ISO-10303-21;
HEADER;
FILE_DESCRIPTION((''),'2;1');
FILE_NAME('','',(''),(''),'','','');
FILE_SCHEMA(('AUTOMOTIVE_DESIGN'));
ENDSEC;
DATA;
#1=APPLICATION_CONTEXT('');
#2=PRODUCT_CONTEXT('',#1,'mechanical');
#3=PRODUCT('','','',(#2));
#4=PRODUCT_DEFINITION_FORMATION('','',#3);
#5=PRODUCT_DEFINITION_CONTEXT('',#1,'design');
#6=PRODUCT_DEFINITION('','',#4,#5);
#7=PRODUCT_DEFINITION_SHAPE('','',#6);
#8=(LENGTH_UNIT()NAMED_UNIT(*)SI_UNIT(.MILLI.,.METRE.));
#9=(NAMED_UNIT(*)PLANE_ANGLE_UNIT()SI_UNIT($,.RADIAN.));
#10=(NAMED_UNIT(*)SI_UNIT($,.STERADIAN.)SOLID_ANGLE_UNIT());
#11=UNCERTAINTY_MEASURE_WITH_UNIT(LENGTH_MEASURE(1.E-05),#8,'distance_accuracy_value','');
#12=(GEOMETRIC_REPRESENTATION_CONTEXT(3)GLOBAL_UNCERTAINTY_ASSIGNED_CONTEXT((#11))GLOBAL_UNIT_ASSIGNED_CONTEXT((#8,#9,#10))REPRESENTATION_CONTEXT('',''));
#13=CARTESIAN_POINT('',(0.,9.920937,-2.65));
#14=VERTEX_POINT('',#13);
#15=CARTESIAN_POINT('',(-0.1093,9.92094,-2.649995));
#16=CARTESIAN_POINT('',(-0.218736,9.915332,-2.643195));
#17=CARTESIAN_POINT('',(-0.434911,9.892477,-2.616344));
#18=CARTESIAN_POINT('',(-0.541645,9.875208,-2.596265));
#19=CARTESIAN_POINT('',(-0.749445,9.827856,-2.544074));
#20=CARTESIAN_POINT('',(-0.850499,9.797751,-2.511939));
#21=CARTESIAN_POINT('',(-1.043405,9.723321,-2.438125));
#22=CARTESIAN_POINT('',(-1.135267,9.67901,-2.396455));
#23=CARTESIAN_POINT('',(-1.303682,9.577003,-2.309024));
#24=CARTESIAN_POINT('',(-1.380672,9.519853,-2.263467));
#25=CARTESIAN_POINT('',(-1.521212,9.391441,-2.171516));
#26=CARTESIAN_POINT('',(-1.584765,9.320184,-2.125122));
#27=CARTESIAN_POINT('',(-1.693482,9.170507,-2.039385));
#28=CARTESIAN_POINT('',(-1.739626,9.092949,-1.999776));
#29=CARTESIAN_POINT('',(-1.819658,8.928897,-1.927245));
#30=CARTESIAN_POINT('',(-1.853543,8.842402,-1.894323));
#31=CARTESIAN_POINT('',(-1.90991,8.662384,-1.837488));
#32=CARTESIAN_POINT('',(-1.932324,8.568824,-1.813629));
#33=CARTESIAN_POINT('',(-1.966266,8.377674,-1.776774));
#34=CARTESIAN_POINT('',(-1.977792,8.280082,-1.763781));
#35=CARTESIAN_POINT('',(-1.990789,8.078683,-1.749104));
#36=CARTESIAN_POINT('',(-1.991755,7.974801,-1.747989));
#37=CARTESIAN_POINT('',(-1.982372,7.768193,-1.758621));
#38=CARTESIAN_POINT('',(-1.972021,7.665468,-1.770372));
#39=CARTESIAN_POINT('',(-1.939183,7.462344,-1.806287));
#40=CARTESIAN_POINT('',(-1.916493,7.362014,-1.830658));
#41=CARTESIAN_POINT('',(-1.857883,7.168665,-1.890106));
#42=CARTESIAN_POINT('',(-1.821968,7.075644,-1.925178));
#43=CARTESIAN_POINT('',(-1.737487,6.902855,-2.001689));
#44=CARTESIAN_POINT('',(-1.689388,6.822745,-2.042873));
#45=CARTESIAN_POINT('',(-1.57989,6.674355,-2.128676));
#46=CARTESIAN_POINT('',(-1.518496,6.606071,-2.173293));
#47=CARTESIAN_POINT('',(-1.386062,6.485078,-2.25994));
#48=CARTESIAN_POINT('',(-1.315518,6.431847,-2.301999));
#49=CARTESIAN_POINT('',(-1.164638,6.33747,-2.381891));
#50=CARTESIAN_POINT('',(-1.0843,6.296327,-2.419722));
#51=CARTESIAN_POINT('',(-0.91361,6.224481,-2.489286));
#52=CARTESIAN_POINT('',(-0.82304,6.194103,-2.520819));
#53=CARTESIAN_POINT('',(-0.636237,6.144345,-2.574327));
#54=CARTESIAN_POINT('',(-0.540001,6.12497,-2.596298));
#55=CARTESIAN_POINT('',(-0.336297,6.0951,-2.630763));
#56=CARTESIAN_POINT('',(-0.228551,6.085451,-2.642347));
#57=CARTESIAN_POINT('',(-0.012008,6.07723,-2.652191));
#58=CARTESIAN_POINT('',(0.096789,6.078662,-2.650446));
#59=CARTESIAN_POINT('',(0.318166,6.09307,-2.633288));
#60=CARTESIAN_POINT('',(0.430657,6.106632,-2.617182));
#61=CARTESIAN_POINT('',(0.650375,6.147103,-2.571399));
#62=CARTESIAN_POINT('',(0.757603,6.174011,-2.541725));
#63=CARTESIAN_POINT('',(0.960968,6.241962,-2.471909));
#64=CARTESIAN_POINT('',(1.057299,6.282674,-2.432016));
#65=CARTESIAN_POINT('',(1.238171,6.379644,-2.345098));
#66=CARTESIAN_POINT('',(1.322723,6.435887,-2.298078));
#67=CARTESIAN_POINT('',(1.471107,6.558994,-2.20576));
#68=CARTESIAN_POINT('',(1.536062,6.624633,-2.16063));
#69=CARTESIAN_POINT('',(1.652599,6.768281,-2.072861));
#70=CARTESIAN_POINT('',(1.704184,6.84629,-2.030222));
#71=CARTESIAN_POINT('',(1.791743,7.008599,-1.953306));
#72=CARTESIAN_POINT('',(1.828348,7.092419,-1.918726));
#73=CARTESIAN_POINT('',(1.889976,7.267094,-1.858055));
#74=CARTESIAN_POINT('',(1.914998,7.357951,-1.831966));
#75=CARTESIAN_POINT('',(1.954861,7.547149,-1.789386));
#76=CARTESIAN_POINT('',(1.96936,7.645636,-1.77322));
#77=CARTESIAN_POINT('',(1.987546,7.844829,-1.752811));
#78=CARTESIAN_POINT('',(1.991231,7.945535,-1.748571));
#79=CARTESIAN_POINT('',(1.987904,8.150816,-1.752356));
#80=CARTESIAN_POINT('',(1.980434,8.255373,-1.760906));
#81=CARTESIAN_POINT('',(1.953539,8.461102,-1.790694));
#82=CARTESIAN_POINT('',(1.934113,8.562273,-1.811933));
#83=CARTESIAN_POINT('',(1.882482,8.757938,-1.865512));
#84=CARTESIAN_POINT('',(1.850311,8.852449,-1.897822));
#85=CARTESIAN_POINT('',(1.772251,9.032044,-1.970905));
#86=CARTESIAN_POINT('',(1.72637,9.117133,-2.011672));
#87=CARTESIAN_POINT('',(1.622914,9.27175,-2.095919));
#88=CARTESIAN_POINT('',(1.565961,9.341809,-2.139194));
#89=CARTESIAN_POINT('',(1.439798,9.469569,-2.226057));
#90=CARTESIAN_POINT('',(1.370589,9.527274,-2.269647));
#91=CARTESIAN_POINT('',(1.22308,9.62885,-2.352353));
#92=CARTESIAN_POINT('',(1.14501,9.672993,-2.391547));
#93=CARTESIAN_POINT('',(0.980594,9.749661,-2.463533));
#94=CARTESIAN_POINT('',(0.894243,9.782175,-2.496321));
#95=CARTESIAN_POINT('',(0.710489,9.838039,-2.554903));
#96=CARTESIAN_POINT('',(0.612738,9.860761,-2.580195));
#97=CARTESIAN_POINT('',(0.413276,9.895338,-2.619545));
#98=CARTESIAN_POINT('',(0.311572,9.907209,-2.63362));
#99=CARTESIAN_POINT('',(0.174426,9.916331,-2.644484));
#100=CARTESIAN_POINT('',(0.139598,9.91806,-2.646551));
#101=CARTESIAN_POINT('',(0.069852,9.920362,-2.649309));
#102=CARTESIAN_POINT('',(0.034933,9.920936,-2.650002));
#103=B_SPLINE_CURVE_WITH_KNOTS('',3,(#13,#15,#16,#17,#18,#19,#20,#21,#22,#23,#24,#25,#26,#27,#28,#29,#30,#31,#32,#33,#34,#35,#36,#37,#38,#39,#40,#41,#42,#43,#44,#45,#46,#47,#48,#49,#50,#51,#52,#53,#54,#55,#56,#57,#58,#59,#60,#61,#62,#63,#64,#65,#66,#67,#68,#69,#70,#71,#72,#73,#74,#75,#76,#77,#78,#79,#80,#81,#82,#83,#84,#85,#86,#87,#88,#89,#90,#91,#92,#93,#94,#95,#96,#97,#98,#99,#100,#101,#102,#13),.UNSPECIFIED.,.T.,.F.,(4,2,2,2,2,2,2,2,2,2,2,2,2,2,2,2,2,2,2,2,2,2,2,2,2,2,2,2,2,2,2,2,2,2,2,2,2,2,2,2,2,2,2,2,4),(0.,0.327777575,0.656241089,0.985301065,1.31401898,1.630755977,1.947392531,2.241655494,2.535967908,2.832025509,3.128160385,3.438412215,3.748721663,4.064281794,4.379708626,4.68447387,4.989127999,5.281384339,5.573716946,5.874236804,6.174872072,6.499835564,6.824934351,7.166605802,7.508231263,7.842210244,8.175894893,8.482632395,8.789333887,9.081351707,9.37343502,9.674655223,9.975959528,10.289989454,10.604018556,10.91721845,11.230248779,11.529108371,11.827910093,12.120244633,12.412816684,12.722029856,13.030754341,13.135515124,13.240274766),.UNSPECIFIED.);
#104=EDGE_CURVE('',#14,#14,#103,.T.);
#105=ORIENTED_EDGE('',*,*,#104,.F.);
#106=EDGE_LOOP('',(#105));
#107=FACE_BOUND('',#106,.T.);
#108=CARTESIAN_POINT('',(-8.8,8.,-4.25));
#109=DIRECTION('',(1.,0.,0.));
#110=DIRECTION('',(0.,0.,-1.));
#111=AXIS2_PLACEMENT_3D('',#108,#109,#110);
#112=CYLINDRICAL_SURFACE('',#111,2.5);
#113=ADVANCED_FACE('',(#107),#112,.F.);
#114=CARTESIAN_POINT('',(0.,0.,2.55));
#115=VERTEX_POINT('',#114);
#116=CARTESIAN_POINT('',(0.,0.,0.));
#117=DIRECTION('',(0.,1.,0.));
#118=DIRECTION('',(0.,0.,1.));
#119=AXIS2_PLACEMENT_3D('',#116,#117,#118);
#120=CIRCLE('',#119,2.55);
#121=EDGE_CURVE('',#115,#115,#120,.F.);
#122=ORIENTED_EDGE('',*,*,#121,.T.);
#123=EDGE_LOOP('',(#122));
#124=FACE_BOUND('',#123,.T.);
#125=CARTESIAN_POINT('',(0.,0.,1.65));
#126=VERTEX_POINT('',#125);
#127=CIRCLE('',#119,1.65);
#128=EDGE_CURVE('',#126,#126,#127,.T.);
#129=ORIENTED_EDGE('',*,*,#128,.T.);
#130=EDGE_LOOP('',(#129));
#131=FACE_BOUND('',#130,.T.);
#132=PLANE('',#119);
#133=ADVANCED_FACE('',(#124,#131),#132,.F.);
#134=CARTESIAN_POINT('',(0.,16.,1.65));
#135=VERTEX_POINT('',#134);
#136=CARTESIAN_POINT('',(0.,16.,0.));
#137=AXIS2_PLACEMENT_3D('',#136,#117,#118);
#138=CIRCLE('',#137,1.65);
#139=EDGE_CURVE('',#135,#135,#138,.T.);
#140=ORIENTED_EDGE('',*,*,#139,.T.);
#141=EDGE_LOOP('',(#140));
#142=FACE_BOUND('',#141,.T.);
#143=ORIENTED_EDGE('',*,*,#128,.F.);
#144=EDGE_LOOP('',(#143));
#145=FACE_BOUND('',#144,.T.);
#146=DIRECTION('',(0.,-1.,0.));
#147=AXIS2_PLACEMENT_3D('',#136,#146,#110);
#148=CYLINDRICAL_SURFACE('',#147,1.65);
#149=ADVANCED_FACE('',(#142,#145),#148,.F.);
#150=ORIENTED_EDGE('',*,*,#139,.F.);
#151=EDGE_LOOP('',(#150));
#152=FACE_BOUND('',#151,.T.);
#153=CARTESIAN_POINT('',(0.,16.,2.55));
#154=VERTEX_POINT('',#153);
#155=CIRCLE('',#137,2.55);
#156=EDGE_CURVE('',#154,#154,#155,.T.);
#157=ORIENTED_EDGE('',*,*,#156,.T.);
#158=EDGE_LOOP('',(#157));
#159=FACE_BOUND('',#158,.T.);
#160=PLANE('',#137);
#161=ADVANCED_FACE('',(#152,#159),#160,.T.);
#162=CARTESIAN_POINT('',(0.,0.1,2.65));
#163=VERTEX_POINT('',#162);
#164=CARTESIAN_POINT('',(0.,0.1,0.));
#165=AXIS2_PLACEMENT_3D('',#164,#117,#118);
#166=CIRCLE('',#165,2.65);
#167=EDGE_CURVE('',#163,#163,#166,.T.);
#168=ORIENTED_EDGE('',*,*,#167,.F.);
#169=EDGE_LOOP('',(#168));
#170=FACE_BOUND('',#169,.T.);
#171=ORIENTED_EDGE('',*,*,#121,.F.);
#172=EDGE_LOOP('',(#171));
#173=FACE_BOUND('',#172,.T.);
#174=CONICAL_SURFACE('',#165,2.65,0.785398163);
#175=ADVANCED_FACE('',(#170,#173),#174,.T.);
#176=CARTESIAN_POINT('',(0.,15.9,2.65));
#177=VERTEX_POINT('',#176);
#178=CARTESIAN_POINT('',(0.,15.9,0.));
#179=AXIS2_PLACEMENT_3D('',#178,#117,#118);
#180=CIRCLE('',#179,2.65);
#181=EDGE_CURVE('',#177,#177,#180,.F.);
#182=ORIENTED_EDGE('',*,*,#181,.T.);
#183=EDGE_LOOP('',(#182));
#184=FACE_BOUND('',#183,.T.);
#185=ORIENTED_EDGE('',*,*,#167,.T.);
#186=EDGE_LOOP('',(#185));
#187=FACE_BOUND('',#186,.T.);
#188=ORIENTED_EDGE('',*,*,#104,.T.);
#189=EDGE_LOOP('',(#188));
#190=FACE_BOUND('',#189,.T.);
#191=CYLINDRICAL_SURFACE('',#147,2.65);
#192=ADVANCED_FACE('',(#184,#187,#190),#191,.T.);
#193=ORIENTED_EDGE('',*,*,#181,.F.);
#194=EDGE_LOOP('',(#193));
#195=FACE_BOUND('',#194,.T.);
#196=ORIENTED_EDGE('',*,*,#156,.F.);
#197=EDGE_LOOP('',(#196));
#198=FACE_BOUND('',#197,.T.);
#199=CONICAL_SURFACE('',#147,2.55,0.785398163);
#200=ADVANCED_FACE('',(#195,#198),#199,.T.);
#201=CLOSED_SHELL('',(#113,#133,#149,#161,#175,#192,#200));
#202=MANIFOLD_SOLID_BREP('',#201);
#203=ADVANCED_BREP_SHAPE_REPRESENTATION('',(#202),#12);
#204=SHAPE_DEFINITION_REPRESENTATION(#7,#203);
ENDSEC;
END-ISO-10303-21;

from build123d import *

# Parameters (mm, degrees)
IZIM1_R                     = 2.65
IZIM1_R_2                   = 1.65
Y_KSEKLIK_EKSTR_ZYON1_DEPTH = 16
PAH1_SIZE                   = 0.1
IZIM2_R                     = 2.5
KES_EKSTR_ZYON1_DEPTH       = 8.8


with BuildPart() as part:
    # Çizim1 → Yükseklik-Ekstrüzyon1 (new body)
    with BuildSketch(Plane(origin=(0, 0, 0), x_dir=(1, 0, 0), z_dir=(0, 1, 0))):
        with Locations(Location((0, 0, 0), (0, 0, 270))):
            Circle(IZIM1_R)
        with Locations(Location((0, 0, 0), (0, 0, 270))):
            Circle(IZIM1_R_2, mode=Mode.SUBTRACT)
    extrude(amount=Y_KSEKLIK_EKSTR_ZYON1_DEPTH)

    # Pah1
    pah1_edges = [part.edges().sort_by_distance(p)[0] for p in [
        (0, 0, -2.65),
        (0, 16, -2.65),
    ]]
    chamfer(pah1_edges, length=PAH1_SIZE)

    # Çizim2 → Kes-Ekstrüzyon1 (cut, symmetric)
    with BuildSketch(Plane(origin=(0, 0, 0), x_dir=(0, 0, -1), z_dir=(1, 0, 0))):
        with Locations((4.25, 8)):
            Circle(IZIM2_R)
    extrude(amount=KES_EKSTR_ZYON1_DEPTH, both=True, mode=Mode.SUBTRACT)


solid = part.part
